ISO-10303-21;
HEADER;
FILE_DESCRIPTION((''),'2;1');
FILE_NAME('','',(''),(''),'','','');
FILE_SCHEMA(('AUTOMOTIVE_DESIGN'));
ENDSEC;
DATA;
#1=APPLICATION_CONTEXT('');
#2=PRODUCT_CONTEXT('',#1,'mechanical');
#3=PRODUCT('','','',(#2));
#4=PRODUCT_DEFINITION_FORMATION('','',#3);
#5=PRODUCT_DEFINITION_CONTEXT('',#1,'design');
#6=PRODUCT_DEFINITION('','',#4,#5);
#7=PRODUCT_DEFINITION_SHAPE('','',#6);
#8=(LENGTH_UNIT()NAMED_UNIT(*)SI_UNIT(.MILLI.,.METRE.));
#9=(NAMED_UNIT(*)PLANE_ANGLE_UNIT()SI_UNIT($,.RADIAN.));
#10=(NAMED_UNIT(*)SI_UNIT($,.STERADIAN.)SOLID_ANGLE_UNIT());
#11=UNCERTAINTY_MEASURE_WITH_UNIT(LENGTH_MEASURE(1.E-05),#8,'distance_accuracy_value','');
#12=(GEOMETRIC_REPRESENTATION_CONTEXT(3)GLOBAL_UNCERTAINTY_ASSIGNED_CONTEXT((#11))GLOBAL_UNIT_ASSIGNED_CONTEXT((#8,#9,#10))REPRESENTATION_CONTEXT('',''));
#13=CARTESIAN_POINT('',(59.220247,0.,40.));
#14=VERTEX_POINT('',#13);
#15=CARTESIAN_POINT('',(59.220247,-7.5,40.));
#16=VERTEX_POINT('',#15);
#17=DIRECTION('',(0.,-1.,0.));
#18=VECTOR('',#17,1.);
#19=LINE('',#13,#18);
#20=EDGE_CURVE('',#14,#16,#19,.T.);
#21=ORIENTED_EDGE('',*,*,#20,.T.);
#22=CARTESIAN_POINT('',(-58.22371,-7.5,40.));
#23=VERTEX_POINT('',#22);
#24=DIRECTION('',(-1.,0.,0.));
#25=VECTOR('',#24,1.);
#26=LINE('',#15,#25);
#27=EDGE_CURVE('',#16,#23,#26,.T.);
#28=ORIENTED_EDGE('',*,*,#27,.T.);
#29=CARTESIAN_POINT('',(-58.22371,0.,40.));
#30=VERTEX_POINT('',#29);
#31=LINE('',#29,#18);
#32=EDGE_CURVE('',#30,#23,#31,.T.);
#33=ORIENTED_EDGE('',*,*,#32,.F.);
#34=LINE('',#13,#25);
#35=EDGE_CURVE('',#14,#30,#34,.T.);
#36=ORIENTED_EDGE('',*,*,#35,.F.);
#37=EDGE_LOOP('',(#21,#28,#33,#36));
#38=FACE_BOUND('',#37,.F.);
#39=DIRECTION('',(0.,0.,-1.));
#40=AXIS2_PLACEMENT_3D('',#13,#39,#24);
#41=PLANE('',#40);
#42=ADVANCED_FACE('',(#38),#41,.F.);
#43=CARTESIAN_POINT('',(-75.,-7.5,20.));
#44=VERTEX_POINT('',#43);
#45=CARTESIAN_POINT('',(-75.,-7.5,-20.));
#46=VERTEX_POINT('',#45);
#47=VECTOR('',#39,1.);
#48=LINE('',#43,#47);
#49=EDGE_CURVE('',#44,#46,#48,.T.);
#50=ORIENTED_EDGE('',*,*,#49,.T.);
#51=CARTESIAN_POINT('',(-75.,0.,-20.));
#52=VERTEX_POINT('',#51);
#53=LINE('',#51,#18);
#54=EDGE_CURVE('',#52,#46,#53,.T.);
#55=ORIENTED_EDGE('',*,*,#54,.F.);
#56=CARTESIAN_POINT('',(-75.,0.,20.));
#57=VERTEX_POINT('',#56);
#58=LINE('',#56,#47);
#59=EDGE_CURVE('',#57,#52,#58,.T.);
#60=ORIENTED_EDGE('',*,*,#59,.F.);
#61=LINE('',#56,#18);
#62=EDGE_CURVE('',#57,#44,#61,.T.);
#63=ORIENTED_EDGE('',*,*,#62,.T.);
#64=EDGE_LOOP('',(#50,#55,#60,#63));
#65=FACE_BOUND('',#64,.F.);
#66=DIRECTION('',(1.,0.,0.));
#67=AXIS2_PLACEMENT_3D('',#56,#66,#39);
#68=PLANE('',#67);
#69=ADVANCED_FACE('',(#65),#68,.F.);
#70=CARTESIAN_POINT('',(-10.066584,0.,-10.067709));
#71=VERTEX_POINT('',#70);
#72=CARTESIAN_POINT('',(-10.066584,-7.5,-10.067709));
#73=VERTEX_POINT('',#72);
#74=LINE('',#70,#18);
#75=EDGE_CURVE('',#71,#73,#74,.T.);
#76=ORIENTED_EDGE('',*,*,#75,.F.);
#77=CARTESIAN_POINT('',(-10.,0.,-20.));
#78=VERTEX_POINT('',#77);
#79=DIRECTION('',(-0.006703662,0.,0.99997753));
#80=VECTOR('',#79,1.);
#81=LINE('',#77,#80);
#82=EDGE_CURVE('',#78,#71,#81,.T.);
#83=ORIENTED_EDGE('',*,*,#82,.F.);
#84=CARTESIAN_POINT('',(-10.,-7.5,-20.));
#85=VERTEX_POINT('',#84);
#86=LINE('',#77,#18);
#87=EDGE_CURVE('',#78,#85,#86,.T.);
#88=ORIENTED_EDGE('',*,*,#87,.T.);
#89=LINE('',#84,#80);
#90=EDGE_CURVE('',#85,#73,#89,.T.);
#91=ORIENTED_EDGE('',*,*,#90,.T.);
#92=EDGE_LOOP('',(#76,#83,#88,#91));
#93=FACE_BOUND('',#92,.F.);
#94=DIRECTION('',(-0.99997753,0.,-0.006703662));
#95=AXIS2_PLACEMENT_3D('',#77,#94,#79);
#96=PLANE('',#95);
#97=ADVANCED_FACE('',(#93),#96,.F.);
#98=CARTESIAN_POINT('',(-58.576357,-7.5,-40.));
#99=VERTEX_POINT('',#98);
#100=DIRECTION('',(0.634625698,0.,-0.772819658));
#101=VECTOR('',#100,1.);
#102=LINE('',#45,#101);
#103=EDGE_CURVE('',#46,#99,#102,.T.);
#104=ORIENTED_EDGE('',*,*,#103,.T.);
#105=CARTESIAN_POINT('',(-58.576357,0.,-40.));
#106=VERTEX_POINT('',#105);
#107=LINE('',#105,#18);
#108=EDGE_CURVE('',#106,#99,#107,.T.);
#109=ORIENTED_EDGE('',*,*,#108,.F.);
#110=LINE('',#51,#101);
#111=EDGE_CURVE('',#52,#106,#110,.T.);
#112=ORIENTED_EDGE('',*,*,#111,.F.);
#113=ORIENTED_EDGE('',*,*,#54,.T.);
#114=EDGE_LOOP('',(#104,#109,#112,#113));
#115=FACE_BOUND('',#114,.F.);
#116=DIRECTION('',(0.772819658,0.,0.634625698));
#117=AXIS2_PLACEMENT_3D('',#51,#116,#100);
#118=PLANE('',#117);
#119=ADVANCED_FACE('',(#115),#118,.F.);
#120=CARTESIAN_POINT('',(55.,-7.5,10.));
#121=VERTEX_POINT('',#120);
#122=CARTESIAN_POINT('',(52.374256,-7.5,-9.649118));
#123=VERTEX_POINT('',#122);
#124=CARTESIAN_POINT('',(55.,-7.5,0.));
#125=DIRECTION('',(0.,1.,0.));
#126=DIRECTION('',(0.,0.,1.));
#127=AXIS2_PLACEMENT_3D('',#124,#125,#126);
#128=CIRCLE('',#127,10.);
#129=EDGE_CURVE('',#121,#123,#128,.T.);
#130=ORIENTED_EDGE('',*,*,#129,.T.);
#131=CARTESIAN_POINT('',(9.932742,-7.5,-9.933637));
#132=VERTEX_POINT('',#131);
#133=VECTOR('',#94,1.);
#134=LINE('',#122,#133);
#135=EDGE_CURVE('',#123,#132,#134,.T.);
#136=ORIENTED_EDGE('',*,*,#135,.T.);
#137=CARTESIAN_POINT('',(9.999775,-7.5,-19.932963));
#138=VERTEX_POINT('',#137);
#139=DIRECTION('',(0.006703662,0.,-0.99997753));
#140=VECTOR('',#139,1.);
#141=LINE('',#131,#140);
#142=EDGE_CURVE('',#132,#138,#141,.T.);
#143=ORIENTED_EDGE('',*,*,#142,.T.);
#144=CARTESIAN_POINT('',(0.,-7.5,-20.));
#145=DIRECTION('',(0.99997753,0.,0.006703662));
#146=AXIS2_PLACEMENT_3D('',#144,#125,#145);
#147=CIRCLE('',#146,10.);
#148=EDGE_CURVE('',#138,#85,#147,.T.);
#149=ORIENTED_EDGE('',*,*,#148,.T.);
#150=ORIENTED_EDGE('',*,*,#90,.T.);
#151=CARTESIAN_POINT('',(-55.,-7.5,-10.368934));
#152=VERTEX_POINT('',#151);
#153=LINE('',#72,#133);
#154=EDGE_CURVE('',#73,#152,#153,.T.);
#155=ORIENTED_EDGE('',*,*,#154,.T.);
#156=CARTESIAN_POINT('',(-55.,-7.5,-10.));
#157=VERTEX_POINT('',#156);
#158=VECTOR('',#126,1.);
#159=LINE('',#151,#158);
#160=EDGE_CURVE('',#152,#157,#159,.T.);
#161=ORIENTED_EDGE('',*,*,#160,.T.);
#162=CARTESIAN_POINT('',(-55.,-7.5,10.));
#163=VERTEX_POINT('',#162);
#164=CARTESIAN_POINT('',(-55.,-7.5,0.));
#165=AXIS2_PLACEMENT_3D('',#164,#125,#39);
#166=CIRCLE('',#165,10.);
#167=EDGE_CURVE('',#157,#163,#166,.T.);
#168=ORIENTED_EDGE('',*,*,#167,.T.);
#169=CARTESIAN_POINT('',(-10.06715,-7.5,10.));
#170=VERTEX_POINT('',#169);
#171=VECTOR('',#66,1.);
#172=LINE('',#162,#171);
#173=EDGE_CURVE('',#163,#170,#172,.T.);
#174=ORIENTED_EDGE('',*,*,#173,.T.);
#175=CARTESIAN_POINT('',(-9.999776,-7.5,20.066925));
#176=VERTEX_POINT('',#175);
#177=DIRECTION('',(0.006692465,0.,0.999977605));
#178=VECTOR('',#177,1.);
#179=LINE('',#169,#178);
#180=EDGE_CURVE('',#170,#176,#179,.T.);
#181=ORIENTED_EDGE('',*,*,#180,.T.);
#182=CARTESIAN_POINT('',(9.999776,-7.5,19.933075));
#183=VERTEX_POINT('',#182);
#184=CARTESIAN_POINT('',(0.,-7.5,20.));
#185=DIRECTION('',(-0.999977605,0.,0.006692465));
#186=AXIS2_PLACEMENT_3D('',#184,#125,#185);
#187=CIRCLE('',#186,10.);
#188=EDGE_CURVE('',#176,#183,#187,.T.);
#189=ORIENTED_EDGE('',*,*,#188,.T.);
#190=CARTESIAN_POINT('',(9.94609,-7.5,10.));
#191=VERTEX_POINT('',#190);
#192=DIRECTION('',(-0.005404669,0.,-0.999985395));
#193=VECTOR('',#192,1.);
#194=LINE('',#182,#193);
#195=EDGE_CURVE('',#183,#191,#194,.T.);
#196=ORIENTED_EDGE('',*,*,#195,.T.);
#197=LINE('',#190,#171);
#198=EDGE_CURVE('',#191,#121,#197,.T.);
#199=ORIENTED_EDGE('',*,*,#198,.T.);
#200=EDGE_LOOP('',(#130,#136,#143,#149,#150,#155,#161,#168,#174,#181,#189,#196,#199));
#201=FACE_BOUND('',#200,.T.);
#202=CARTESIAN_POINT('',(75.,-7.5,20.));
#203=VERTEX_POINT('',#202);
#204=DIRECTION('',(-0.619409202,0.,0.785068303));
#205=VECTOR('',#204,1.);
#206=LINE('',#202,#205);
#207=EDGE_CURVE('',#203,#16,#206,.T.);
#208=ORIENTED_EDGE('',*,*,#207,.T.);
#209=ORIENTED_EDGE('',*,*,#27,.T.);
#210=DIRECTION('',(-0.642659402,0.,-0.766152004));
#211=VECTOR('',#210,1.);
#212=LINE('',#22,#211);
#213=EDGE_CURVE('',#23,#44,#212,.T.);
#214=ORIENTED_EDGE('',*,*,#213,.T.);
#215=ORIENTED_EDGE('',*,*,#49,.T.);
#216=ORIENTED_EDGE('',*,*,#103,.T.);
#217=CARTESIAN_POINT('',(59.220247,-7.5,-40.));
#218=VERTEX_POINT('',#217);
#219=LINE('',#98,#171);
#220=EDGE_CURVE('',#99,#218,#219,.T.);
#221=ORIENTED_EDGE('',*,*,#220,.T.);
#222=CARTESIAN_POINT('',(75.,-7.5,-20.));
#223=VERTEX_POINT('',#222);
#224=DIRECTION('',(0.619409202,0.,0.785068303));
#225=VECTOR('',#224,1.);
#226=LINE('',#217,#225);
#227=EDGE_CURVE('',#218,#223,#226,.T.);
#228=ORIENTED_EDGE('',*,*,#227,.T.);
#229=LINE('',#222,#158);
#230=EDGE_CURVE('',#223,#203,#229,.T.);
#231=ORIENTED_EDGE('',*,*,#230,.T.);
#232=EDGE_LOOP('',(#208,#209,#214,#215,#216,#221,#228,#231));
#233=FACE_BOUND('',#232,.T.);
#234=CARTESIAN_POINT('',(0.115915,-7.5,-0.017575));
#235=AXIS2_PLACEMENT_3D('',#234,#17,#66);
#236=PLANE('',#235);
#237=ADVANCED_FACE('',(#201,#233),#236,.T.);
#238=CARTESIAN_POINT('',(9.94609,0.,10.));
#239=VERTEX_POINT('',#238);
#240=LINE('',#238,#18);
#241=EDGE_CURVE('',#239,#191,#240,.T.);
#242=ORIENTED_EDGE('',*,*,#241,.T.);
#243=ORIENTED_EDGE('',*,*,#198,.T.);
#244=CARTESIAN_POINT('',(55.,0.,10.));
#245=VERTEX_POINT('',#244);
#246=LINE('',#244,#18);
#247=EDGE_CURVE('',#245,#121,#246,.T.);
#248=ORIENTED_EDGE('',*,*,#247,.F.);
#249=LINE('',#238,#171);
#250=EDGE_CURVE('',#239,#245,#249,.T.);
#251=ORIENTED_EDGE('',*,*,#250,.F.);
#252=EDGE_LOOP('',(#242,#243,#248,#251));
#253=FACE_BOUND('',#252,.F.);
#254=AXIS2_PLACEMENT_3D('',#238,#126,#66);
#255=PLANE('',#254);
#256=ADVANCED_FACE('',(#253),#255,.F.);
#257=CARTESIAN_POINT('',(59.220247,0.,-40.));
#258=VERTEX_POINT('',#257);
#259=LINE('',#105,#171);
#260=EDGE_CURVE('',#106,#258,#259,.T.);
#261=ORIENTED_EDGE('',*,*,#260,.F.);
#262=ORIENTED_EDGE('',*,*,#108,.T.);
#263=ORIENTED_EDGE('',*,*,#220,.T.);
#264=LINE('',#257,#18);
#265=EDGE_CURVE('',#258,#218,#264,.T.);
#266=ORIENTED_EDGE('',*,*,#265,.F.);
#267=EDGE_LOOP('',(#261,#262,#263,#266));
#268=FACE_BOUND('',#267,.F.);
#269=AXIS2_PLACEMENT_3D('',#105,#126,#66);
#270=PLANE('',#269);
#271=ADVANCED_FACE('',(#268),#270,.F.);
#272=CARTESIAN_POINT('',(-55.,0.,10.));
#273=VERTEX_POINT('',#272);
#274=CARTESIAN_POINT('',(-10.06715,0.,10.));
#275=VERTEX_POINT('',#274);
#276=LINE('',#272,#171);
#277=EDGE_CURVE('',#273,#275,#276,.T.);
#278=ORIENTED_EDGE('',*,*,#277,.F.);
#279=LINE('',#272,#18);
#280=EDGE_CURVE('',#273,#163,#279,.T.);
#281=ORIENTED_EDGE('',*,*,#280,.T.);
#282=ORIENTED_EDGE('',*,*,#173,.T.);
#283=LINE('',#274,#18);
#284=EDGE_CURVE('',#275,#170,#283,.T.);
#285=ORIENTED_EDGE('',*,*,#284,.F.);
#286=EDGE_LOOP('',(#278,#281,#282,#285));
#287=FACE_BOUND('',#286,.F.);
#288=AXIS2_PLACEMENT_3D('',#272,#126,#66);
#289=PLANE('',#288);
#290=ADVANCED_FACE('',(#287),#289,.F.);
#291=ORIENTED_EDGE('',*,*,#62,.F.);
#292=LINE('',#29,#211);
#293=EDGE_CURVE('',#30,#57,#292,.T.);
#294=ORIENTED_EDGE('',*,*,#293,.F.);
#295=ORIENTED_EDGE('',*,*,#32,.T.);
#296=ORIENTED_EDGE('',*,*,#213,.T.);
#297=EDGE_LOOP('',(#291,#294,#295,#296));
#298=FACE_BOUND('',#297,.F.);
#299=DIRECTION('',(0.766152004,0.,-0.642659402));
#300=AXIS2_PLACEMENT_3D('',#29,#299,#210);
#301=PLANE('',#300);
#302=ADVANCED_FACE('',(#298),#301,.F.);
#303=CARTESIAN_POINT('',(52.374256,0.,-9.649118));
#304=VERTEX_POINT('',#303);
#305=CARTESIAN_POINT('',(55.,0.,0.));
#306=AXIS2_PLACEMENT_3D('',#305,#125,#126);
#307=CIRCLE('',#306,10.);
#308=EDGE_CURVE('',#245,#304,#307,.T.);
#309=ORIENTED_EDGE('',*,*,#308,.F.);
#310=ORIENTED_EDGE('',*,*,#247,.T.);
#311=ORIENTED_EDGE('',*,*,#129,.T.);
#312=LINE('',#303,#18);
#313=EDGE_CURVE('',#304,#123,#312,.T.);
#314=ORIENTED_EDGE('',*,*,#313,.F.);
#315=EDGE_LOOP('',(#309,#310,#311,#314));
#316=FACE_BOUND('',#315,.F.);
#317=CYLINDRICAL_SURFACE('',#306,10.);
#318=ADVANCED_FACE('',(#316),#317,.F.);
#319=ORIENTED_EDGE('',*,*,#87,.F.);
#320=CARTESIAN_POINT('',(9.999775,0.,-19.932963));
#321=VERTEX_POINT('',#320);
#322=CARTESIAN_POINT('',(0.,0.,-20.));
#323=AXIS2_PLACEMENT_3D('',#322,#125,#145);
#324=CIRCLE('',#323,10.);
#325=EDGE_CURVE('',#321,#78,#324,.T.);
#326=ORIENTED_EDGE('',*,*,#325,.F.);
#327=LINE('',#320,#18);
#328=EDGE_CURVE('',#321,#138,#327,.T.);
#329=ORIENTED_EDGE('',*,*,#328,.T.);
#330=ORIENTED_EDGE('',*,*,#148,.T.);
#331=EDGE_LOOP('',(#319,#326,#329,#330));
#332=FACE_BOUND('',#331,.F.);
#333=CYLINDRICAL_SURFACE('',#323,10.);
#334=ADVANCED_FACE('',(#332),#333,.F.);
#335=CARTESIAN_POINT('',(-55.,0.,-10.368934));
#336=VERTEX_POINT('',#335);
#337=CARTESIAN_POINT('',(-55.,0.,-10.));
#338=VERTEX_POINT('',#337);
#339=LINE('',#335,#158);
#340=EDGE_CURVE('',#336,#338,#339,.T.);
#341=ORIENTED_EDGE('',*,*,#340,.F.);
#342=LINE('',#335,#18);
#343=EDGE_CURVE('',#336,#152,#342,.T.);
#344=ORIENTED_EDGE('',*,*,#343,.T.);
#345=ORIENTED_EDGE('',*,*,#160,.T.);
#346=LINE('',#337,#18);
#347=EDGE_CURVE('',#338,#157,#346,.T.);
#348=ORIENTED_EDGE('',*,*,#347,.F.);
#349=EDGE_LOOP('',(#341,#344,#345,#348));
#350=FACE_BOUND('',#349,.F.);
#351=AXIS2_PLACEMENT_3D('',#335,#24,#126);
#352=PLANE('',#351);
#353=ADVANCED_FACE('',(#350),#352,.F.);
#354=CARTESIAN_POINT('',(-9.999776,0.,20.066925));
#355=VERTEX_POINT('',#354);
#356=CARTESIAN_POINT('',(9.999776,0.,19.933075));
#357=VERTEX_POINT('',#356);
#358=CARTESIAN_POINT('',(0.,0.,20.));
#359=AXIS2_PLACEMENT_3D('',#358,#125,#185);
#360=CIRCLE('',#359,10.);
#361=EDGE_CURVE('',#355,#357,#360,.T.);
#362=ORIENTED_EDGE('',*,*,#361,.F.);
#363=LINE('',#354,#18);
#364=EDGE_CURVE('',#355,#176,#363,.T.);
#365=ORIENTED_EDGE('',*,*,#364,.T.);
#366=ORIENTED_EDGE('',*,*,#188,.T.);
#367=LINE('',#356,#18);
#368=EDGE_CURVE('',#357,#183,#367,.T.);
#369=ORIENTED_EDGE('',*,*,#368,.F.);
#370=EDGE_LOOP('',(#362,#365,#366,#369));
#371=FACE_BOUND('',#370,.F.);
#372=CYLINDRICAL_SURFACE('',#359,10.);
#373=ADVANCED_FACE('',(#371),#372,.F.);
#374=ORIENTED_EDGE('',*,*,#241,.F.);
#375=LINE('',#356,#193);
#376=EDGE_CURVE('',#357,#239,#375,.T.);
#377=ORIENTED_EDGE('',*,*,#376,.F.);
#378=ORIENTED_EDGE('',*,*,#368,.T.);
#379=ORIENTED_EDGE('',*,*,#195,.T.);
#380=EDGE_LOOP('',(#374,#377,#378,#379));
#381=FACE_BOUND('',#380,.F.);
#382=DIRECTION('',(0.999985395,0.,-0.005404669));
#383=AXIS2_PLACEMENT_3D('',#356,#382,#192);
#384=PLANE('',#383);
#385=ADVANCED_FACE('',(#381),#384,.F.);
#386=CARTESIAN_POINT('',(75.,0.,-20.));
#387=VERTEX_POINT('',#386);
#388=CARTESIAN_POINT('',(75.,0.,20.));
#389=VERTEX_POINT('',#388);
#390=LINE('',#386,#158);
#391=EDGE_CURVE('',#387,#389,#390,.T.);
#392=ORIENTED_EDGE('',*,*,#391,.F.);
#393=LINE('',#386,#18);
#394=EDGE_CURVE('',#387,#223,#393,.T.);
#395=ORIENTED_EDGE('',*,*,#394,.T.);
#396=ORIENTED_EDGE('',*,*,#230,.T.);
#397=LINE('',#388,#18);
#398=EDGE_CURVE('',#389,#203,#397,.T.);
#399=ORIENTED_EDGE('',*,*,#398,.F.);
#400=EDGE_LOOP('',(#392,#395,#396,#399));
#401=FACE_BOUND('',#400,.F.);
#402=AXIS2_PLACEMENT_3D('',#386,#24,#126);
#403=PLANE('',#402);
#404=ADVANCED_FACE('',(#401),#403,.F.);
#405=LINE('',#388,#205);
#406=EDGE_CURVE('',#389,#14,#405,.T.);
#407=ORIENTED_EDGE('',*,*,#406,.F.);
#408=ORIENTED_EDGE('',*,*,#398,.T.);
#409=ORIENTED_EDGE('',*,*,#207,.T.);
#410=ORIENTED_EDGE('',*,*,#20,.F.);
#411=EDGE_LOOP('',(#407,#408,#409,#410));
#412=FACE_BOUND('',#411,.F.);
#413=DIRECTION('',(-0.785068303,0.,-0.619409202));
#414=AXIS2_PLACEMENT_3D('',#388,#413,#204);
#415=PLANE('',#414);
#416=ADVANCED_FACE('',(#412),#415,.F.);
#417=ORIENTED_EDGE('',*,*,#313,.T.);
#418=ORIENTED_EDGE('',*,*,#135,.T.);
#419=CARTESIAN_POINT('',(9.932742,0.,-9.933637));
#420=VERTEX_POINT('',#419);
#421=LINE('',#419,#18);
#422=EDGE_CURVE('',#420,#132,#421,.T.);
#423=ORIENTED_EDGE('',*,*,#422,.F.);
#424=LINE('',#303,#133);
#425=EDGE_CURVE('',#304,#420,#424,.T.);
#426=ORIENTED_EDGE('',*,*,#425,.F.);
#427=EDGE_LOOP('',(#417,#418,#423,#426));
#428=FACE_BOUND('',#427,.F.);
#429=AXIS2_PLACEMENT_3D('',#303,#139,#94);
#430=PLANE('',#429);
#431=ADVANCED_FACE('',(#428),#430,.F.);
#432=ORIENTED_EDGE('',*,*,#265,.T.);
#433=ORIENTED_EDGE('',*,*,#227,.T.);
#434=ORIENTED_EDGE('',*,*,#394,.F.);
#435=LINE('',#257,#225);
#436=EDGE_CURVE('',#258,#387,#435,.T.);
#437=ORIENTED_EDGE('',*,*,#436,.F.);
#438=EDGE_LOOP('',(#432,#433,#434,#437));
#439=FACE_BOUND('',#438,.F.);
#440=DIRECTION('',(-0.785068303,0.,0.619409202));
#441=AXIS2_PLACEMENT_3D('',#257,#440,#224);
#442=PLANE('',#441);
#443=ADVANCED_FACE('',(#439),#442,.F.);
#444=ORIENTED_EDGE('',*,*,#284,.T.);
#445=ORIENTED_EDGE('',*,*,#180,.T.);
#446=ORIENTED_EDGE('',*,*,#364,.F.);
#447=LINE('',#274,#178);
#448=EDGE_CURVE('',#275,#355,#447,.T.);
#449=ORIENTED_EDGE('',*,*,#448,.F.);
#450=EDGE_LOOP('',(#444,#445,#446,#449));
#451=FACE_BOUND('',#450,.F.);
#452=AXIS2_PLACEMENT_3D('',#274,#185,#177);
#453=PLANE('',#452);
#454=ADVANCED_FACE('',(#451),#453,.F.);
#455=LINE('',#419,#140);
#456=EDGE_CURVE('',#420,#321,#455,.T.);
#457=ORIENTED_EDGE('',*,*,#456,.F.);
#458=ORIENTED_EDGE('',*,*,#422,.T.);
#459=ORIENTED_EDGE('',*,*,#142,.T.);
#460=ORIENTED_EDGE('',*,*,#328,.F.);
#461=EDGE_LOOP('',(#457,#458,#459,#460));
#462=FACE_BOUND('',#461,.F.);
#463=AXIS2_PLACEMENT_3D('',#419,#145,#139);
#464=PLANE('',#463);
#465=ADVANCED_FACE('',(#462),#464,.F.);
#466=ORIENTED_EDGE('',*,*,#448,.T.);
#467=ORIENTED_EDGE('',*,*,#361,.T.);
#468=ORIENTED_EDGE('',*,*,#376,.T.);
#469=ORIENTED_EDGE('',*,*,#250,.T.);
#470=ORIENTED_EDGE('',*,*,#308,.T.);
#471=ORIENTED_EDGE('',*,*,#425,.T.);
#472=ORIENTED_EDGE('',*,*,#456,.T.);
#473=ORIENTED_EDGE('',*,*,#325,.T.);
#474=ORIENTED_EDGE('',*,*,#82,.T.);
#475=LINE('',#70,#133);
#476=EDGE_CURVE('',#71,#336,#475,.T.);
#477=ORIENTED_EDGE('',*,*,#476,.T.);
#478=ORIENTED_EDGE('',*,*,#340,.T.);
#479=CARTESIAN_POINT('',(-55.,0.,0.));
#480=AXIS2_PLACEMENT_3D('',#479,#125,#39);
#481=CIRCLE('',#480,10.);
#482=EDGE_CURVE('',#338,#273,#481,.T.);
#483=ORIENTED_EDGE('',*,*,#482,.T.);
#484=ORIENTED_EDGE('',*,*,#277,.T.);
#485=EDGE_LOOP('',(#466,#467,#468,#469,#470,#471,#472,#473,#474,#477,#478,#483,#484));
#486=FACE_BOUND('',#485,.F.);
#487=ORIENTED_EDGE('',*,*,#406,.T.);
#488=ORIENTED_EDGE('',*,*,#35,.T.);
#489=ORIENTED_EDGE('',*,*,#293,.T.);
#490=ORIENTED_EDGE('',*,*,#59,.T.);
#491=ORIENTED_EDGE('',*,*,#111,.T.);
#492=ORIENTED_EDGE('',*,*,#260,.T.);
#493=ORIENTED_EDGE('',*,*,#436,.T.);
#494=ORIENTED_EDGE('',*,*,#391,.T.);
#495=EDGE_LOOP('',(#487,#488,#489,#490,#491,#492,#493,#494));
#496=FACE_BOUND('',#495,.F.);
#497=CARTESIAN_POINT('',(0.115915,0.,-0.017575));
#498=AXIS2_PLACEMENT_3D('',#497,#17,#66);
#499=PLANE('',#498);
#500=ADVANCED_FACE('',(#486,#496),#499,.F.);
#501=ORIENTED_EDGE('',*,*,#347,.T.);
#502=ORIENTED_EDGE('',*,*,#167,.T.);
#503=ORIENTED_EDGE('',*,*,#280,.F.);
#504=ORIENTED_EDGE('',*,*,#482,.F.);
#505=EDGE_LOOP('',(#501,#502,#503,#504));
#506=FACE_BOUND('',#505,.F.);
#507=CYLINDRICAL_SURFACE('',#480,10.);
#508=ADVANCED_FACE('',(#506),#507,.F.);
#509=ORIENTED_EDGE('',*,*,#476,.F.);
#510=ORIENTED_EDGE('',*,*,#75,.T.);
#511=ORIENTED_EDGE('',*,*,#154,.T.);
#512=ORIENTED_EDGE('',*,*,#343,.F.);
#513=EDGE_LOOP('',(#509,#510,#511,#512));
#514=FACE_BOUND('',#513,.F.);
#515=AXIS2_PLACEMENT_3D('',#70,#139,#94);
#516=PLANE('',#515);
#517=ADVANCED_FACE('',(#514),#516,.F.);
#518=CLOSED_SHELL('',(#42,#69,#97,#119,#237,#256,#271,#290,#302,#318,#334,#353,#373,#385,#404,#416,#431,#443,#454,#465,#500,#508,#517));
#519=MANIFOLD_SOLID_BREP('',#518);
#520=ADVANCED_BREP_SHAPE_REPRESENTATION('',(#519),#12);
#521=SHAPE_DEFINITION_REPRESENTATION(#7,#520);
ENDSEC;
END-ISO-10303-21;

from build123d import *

# Parameters (mm, degrees)
F1_DEPTH = 7.5


with BuildPart() as f1:
    # F0 (on Front) → F1 (new body)
    with BuildSketch(Plane.XZ):
        Polygon((75, 20), (59.2202468368, 40), (-58.2237102091, 40), (-75, 20), (-75, -20), (-58.5763572697, -40), (59.2202468368, -40), (75, -20), align=None)
        with BuildLine():
            Line((-10.0665842132, -10.0677091939), (-55, -10.3689343789))
            Line((-55, -10.3689343789), (-55, -10))
            ThreePointArc((-55, -10), (-65, 0), (-55, 10))
            Line((-55, 10), (-10.0671500994, 10))
            Line((-10.0671500994, 10), (-9.9997760521, 20.0669246476))
            ThreePointArc((-9.9997760521, 20.0669246476), (0.0669246476, 29.9997760521), (9.9997760521, 19.9330753524))
            Line((9.9997760521, 19.9330753524), (9.946090286, 10))
            Line((9.946090286, 10), (55, 10))
            ThreePointArc((55, 10), (64.9118912225, -1.3245423337), (52.3742560939, -9.6491175213))
            Line((52.3742560939, -9.6491175213), (9.9327416981, -9.9336374671))
            Line((9.9327416981, -9.9336374671), (9.9997753021, -19.9329633834))
            ThreePointArc((9.9997753021, -19.9329633834), (0.0335184966, -29.9999438254), (-10, -20))
            Line((-10, -20), (-10.0665842132, -10.0677091939))
        make_face(mode=Mode.SUBTRACT)
    extrude(amount=F1_DEPTH)


solid = f1.part
